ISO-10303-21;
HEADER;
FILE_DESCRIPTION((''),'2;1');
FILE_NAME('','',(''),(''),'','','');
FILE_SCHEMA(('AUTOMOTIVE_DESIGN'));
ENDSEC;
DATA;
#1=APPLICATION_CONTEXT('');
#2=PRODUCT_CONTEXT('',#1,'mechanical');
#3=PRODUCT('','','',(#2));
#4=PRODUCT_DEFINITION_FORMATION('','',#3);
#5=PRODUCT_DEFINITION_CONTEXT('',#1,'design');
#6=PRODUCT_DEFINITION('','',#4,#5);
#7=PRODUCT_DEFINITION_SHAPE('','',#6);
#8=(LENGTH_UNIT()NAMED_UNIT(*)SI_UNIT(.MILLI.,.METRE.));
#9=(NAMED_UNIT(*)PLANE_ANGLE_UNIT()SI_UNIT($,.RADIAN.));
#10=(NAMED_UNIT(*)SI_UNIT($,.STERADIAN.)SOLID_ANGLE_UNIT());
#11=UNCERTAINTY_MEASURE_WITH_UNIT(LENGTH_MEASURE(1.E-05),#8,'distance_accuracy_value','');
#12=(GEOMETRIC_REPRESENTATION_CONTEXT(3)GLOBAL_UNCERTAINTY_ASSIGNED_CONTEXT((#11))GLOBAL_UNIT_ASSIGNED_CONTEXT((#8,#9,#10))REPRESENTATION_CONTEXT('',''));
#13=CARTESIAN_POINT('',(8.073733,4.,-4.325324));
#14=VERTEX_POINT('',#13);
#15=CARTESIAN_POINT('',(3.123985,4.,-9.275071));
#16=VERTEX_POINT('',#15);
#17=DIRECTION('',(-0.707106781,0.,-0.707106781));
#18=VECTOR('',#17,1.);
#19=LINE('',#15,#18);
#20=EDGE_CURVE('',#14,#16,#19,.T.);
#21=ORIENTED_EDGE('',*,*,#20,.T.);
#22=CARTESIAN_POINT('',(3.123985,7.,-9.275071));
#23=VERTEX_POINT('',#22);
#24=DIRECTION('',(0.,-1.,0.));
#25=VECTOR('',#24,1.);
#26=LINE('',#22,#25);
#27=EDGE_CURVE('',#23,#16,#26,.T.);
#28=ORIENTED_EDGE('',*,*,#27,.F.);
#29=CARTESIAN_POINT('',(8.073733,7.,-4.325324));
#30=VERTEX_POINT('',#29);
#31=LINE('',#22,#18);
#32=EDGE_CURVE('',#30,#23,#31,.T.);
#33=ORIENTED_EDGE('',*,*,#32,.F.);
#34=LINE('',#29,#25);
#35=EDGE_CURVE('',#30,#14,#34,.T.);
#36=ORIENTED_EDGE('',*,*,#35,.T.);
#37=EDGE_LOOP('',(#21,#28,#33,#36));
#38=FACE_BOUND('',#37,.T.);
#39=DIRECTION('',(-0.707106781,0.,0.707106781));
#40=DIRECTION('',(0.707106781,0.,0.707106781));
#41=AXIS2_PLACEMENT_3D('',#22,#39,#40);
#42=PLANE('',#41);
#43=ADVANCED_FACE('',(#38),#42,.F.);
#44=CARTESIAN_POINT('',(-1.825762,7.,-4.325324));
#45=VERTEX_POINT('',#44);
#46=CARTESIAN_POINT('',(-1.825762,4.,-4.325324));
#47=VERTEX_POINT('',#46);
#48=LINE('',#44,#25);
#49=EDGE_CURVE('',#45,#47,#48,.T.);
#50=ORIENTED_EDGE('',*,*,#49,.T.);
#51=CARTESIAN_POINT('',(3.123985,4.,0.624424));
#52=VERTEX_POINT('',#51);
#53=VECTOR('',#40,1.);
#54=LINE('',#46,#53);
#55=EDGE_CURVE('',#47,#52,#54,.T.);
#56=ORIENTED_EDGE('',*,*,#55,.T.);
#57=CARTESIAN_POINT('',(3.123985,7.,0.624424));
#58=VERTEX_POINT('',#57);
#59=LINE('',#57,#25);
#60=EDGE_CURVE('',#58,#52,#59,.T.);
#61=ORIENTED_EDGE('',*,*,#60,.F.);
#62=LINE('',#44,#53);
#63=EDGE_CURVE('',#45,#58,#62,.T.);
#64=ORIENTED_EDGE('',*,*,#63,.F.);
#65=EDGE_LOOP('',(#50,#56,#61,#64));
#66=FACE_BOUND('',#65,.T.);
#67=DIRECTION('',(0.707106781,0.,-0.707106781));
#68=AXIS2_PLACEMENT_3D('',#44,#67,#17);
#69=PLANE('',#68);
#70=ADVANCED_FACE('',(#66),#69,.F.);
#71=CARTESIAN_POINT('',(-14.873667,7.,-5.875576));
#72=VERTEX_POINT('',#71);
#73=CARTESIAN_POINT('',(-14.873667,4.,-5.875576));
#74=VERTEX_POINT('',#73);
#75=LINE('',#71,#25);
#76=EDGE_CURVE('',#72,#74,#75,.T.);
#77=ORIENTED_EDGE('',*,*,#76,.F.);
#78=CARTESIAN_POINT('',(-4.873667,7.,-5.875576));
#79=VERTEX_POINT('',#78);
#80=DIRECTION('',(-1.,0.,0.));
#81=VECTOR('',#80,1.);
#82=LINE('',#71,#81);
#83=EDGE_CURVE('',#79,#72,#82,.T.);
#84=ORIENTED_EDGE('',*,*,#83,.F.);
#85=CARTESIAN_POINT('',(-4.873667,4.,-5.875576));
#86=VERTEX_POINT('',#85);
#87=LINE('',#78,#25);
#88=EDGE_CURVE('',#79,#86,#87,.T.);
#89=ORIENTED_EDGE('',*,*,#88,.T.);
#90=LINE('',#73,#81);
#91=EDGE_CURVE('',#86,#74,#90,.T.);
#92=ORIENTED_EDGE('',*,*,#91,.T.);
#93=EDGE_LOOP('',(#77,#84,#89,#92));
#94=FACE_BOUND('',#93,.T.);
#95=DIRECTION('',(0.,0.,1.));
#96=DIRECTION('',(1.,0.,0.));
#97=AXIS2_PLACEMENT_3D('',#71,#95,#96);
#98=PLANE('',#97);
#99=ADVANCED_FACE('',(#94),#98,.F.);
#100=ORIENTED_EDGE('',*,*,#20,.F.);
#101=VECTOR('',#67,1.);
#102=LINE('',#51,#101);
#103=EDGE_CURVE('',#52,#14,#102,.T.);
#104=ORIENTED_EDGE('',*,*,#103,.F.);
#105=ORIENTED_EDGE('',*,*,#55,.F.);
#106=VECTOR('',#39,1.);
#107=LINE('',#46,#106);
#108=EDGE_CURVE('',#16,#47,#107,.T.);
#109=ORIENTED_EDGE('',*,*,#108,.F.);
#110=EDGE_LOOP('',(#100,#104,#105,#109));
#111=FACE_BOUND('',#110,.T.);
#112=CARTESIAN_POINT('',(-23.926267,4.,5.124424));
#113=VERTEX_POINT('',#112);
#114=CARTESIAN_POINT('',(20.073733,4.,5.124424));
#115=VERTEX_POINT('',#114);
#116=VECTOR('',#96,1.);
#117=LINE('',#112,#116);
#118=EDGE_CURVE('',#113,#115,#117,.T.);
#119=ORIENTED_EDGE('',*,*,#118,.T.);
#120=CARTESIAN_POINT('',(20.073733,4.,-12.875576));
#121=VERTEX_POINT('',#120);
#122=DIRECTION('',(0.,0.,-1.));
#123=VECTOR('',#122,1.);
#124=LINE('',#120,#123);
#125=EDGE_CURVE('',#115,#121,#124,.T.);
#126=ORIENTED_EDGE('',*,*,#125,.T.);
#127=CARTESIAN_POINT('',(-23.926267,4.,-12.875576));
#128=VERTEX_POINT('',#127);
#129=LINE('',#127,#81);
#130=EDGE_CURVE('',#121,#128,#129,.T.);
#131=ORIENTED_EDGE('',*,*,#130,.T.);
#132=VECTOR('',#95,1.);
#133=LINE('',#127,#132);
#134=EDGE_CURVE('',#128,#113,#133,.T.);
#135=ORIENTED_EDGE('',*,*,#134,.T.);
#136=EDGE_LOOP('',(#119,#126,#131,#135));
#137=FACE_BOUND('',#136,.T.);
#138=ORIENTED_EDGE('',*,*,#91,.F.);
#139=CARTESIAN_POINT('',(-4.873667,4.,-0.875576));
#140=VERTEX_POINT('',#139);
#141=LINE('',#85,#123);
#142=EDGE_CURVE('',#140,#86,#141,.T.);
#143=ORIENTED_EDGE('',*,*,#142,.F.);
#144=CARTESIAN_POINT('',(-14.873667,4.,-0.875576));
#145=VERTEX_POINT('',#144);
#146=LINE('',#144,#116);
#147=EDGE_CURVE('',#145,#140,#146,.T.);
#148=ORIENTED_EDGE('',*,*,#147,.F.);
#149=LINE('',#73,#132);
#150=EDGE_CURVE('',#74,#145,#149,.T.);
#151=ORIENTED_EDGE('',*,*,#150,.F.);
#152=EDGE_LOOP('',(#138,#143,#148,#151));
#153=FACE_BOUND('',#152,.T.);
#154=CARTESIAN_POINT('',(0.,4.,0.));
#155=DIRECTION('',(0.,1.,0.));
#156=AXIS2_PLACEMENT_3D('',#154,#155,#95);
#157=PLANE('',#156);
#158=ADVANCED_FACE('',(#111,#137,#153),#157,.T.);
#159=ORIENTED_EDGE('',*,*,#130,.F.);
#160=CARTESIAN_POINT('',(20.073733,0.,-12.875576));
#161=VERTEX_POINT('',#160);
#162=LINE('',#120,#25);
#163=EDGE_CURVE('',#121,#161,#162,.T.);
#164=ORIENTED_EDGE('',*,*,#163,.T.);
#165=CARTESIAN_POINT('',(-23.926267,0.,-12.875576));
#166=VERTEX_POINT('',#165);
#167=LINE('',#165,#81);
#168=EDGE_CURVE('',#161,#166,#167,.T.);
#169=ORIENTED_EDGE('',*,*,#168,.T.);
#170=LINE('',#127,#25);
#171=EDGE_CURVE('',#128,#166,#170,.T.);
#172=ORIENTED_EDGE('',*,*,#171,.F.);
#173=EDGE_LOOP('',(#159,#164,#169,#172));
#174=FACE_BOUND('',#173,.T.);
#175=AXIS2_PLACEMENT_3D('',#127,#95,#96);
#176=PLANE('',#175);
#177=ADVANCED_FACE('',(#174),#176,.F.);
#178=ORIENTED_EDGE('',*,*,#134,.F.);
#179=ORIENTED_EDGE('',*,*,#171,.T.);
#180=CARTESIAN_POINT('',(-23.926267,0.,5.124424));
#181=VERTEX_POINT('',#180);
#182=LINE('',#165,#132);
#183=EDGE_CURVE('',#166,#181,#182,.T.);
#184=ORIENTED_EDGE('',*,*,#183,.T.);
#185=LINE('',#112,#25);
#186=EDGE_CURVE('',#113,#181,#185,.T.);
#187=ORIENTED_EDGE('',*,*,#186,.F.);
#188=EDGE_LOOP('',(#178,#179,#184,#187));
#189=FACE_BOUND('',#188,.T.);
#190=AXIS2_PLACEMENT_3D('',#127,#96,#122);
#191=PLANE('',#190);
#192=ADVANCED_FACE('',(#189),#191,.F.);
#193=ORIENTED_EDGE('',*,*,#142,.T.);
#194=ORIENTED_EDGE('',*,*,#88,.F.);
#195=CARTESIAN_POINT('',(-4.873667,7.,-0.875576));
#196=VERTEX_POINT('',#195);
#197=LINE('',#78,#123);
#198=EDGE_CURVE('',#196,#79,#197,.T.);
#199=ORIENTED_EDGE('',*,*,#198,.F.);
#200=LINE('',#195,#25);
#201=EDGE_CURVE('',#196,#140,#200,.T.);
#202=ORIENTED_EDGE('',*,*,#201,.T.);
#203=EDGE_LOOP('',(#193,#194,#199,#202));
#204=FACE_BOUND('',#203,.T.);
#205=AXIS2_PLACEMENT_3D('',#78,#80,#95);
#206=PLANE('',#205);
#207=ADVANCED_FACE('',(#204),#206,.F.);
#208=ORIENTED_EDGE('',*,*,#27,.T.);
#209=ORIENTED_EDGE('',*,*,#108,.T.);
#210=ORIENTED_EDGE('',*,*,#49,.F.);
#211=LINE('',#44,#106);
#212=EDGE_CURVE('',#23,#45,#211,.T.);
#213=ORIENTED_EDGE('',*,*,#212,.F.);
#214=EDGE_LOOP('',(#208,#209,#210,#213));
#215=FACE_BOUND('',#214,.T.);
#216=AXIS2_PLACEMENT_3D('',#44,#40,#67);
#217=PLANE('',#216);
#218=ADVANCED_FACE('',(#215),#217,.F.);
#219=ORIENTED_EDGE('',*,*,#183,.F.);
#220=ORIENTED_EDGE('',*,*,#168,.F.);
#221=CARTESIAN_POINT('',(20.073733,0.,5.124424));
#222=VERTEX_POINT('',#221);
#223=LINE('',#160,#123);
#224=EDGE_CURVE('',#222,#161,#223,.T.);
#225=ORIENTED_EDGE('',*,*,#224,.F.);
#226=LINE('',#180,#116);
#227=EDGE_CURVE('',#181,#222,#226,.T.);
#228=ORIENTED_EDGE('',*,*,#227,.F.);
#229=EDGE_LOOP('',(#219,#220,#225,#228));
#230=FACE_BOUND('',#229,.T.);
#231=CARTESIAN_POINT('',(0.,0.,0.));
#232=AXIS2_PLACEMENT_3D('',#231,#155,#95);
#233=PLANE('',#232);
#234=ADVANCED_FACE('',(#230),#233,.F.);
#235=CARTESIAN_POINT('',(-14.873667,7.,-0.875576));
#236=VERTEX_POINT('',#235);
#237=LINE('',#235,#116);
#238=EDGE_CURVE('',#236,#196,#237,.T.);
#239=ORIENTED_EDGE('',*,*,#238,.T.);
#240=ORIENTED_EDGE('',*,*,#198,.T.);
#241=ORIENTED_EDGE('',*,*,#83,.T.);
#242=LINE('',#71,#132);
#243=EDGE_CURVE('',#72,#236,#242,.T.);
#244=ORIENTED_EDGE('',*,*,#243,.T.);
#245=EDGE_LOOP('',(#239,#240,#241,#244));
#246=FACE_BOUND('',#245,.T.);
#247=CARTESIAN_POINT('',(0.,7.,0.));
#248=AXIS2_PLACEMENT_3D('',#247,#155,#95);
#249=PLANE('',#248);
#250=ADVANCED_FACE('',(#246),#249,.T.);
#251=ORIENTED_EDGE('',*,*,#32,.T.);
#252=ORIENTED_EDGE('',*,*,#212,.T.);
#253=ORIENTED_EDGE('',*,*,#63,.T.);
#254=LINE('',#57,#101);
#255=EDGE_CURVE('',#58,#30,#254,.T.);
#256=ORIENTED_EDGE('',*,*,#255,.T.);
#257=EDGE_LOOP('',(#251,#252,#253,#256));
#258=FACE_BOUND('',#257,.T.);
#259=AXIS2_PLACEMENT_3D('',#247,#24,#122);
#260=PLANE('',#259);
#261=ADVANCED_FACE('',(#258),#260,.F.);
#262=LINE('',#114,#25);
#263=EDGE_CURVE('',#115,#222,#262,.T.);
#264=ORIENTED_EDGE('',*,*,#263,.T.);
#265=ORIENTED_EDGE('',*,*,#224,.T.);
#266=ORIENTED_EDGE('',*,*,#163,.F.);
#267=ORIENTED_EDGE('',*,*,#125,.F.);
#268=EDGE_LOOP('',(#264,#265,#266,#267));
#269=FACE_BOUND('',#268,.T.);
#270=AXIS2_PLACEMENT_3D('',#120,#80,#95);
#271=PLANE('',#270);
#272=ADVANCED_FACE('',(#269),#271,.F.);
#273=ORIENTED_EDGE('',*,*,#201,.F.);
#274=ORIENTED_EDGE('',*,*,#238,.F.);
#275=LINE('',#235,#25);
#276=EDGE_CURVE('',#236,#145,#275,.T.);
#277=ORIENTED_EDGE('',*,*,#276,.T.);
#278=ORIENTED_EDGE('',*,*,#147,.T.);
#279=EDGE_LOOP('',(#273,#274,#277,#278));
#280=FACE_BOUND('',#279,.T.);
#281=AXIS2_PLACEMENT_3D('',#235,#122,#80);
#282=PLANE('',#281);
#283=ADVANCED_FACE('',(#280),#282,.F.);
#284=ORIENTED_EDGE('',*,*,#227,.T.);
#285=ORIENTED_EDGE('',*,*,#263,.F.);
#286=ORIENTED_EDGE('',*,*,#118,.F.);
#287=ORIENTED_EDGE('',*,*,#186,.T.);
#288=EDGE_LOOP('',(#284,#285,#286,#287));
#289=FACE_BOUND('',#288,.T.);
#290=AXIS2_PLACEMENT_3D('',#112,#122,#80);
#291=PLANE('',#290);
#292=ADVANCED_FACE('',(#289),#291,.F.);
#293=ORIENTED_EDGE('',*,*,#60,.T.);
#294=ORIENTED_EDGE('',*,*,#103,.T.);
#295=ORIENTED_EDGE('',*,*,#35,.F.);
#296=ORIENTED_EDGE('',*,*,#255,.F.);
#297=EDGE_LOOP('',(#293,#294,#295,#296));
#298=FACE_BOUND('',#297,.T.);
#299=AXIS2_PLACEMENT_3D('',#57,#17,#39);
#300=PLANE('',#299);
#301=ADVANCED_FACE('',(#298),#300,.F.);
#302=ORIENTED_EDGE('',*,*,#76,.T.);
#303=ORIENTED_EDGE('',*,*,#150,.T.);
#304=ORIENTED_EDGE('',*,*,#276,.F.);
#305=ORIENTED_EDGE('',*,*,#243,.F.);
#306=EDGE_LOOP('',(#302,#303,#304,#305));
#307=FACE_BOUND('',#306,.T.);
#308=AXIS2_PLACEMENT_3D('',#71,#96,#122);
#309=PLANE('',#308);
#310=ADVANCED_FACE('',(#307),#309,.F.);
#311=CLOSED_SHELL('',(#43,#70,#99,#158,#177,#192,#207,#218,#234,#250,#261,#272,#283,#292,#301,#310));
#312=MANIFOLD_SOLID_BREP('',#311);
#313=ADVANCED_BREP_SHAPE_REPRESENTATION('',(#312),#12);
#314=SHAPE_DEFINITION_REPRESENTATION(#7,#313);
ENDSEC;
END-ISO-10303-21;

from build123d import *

# Parameters (mm, degrees)
SKETCH1_W           = 44
SKETCH1_H           = 18
BOSS_EXTRUDE1_DEPTH = 4
SKETCH2_W           = 10
SKETCH2_H           = 5
BOSS_EXTRUDE2_DEPTH = 3


with BuildPart() as part:
    # Sketch1 → Boss-Extrude1 (new body)
    with BuildSketch(Plane(origin=(0, 0, 0), x_dir=(1, 0, 0), z_dir=(0, 1, 0))):
        with Locations((-1.926267281, 3.875576037)):
            Rectangle(SKETCH1_W, SKETCH1_H)
    extrude(amount=BOSS_EXTRUDE1_DEPTH)

    # Sketch2 → Boss-Extrude2 (add)
    with BuildSketch(Plane(origin=(0, 4, 0), x_dir=(1, 0, 0), z_dir=(0, 1, 0))):
        with Locations((-9.873666519, 3.375576037)):
            Rectangle(SKETCH2_W, SKETCH2_H)
        Polygon((-1.825762218, 4.325323505), (3.123985251, -0.624423963), (8.073732719, 4.325323505), (3.123985251, 9.275070973), align=None)
    extrude(amount=BOSS_EXTRUDE2_DEPTH)


solid = part.part
